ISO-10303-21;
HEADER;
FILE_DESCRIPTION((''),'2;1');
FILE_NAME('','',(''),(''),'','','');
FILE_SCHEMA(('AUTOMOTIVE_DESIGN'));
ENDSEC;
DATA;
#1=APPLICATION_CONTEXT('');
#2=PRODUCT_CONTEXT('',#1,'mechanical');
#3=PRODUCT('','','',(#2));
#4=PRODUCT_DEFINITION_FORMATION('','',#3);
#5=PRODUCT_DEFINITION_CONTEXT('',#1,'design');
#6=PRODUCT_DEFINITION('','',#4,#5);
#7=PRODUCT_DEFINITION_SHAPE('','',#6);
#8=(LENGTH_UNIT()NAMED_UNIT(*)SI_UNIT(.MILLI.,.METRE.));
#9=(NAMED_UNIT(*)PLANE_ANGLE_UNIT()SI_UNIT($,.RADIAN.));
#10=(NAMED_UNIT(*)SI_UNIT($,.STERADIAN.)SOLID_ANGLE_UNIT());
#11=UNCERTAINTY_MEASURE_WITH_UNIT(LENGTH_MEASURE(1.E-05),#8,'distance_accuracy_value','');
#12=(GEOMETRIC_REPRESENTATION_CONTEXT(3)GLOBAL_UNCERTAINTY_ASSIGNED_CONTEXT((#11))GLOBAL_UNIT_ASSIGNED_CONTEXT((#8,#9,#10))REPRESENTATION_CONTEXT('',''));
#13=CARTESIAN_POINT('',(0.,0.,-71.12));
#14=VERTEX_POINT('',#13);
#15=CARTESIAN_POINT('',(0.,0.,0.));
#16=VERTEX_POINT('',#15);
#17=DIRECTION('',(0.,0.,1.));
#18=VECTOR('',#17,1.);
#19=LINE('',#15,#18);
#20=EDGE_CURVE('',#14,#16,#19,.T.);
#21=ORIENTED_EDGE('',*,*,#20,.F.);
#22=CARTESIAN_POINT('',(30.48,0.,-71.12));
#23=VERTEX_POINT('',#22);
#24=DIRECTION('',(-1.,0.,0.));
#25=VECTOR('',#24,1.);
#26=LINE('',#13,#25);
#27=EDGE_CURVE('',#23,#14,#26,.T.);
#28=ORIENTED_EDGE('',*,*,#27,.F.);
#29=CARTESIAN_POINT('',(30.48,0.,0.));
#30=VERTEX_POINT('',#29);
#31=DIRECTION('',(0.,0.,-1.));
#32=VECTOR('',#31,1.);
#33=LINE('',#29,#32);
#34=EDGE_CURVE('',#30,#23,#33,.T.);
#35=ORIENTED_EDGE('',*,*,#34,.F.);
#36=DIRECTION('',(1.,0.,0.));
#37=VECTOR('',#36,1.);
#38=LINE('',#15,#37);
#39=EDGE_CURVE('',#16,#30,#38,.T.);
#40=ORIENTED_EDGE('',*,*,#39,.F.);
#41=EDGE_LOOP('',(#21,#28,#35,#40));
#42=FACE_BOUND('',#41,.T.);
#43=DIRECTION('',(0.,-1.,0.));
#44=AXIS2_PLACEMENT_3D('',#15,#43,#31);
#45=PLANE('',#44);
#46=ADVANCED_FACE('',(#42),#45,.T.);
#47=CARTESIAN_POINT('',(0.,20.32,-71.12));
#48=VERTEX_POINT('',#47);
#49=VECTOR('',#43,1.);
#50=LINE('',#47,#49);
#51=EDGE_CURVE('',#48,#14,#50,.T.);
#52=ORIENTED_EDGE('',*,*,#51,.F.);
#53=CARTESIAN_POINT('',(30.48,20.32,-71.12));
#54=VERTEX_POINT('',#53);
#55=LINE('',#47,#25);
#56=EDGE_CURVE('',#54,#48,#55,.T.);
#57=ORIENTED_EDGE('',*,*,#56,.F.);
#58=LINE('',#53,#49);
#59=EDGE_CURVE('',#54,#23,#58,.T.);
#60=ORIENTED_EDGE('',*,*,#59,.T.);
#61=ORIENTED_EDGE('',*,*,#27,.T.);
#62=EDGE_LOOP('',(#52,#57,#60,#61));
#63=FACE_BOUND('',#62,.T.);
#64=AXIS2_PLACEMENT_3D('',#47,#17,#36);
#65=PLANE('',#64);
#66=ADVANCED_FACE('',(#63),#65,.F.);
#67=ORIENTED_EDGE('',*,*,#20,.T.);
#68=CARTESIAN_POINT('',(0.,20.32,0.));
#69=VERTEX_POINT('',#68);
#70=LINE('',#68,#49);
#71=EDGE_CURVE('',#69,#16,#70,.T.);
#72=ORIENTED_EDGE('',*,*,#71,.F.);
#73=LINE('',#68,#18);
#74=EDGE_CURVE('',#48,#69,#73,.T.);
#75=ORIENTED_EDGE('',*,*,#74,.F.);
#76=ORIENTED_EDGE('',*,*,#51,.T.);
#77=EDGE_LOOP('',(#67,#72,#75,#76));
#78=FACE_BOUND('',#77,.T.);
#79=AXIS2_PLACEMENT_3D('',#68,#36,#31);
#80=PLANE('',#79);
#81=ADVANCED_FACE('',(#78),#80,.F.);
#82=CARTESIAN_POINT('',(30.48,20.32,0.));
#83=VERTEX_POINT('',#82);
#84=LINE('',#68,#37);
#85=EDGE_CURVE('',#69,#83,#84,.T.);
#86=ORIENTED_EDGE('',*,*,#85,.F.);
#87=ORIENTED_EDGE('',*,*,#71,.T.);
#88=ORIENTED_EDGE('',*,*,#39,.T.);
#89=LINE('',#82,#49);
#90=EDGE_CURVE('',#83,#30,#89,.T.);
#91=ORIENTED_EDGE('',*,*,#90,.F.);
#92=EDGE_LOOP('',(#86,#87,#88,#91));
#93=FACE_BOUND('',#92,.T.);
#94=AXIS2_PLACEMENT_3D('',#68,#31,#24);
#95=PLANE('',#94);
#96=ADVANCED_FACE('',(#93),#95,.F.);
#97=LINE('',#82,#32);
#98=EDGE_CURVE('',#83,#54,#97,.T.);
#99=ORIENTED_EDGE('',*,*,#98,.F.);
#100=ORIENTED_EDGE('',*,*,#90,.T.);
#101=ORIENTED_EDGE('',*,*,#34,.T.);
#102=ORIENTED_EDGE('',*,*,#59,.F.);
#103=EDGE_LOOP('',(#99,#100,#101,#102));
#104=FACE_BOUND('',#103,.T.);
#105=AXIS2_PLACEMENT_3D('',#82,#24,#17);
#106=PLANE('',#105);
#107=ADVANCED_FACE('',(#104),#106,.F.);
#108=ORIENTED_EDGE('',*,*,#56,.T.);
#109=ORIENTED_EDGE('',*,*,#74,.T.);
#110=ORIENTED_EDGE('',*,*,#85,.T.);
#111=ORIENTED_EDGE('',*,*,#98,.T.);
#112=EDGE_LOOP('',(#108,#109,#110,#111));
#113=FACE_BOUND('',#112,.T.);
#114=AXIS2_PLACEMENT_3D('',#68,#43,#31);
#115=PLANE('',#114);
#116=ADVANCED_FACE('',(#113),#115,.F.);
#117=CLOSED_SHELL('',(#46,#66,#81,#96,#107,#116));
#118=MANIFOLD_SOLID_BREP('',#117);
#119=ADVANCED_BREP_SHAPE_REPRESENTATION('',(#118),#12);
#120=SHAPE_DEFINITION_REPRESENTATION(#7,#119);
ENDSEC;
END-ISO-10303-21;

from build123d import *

# Parameters (mm, degrees)
SKETCH1_W           = 30.48
SKETCH1_H           = 71.12
BOSS_EXTRUDE1_DEPTH = 20.32


with BuildPart() as part:
    # Sketch1 → Boss-Extrude1 (new body)
    with BuildSketch(Plane(origin=(0, 0, 0), x_dir=(1, 0, 0), z_dir=(0, 1, 0))):
        with Locations((15.24, 35.56)):
            Rectangle(SKETCH1_W, SKETCH1_H)
    extrude(amount=BOSS_EXTRUDE1_DEPTH)


solid = part.part
